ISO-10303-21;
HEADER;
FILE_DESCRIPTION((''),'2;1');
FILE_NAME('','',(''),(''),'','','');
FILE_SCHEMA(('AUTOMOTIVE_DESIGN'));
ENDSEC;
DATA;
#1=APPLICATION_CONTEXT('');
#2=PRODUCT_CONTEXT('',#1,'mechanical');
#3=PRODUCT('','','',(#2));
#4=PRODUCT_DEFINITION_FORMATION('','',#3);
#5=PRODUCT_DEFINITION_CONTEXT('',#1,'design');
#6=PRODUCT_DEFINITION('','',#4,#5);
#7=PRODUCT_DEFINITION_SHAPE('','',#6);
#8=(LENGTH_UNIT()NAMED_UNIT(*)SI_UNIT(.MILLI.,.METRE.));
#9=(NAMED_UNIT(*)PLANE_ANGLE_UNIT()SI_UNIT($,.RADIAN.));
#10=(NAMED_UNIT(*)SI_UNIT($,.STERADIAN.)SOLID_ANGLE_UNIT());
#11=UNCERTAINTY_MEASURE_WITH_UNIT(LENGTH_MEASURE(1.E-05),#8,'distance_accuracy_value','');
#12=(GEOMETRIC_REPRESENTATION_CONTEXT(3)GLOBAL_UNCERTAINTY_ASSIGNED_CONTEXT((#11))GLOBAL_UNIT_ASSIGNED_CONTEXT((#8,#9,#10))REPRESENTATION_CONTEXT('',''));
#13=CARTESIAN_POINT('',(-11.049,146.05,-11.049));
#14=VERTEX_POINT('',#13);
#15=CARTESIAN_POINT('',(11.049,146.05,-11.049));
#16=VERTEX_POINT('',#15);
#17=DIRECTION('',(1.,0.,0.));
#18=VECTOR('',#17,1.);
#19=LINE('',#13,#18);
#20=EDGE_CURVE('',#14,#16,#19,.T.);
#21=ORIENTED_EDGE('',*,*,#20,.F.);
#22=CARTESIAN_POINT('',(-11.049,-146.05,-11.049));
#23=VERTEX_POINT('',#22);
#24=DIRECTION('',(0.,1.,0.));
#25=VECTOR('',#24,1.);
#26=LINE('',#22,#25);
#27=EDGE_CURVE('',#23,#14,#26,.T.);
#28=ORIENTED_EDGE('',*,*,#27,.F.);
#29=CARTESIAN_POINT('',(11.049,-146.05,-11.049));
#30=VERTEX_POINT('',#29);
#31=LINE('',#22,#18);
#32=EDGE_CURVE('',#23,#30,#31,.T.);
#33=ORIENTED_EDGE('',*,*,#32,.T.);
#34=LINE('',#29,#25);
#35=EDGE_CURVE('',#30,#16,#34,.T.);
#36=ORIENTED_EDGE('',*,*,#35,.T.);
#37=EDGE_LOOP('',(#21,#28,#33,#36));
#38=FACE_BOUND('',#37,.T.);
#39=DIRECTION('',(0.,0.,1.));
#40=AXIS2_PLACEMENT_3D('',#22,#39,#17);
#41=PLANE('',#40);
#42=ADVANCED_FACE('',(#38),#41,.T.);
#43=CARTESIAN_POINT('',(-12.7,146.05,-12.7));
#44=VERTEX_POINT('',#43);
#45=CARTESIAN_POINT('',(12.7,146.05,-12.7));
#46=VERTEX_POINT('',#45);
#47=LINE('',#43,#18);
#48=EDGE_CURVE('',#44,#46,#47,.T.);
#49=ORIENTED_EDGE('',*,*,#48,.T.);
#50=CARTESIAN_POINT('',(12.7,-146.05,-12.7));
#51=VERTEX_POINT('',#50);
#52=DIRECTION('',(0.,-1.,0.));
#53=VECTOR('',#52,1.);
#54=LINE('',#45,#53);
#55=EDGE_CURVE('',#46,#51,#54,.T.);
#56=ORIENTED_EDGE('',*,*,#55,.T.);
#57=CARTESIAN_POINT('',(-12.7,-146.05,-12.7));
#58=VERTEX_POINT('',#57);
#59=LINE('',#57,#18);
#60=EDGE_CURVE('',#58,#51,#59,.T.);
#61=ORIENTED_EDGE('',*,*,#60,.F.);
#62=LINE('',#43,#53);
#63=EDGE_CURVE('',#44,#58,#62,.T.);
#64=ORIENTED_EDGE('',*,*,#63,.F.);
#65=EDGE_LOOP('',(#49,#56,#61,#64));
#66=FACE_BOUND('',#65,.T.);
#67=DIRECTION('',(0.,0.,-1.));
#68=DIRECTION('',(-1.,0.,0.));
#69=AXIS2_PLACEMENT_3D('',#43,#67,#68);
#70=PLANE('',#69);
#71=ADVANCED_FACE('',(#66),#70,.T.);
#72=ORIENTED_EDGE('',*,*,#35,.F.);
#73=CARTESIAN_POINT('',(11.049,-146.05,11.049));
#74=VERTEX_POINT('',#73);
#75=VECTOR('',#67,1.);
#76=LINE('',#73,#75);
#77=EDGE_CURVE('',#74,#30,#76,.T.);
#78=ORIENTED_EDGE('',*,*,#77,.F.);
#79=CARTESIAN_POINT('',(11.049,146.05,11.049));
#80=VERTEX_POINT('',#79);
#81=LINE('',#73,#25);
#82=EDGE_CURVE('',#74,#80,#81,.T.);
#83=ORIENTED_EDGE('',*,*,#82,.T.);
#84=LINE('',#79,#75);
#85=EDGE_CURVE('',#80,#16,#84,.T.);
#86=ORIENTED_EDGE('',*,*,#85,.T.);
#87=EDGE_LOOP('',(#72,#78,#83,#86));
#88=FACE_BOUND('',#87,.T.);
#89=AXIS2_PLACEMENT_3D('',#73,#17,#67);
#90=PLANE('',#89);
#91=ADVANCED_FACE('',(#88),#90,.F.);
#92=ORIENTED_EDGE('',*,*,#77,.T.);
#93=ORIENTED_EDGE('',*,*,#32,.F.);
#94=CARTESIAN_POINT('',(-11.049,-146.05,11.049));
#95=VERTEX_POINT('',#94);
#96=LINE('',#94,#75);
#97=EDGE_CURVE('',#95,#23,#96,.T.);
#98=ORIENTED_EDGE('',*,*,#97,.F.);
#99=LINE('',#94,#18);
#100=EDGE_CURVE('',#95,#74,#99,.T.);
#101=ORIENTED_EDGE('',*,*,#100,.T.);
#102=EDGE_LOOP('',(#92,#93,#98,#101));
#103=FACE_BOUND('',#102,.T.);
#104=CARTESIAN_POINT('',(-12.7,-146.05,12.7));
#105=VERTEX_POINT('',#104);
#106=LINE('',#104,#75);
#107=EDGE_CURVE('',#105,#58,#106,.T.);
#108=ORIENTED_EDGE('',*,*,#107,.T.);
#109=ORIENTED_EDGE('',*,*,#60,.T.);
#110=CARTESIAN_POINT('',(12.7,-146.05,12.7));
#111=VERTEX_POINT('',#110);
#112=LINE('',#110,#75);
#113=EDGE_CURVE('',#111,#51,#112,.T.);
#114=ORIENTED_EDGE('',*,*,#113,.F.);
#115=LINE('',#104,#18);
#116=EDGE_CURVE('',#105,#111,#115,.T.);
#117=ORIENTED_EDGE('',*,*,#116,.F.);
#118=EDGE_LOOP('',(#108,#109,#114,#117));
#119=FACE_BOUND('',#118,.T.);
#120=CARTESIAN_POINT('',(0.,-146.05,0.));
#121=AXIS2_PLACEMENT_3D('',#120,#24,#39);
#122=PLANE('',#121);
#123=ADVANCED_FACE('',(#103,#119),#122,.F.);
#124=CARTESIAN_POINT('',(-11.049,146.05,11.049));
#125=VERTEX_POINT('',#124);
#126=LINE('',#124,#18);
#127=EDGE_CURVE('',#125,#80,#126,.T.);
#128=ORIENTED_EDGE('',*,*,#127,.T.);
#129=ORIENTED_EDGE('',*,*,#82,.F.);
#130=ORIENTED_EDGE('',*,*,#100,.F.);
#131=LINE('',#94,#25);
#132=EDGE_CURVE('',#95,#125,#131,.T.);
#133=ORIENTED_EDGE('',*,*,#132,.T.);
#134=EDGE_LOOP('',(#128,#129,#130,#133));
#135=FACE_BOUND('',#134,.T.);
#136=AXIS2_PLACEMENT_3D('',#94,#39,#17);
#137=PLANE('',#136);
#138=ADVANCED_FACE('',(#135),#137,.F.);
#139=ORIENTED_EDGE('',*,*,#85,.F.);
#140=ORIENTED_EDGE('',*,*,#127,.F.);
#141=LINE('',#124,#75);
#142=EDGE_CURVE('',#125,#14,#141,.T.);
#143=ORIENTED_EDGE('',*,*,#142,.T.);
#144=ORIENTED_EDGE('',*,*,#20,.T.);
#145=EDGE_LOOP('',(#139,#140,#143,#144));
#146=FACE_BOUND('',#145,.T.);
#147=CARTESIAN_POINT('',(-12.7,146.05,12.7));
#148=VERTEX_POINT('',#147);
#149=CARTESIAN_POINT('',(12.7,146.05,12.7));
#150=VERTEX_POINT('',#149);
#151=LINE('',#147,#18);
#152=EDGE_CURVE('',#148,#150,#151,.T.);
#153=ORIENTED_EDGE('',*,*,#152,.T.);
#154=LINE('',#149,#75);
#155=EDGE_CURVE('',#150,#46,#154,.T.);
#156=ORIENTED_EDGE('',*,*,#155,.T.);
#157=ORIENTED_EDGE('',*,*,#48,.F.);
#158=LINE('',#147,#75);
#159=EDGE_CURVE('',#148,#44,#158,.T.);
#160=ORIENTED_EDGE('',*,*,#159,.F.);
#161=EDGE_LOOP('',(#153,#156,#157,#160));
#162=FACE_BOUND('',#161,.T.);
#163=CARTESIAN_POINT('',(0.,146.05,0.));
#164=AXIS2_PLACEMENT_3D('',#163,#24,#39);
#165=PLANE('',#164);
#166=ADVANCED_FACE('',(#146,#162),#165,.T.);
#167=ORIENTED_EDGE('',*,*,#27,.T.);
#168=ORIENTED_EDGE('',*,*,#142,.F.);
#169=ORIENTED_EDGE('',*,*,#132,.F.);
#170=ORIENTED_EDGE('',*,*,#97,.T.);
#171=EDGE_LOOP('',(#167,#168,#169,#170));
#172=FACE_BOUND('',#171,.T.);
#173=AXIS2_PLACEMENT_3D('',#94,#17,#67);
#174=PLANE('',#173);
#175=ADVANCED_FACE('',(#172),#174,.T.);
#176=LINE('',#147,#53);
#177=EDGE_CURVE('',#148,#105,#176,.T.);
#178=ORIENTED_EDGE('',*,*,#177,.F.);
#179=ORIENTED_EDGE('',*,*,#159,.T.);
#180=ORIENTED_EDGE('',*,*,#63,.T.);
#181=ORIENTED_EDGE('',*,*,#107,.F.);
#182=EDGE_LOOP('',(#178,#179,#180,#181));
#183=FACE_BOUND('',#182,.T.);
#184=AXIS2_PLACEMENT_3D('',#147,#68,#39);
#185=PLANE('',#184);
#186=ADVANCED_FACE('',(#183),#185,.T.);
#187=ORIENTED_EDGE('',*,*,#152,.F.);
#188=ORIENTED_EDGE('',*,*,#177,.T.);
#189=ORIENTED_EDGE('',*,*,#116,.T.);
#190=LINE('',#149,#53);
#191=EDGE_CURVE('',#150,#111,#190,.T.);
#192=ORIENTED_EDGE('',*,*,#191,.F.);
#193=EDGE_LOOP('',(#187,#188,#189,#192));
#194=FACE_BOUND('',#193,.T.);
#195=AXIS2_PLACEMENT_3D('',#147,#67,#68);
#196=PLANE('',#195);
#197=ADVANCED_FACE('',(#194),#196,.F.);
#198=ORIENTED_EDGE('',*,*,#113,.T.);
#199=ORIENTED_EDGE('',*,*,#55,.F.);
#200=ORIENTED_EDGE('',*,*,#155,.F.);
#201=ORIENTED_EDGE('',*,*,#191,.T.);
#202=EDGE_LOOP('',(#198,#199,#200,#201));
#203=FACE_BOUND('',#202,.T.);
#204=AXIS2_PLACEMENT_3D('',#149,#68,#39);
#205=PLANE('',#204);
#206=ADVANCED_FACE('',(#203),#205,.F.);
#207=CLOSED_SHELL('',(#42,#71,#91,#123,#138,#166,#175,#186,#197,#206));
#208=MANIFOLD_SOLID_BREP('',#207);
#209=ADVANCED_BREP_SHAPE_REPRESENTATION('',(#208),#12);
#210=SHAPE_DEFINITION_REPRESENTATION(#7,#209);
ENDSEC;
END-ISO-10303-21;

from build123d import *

# Parameters (mm, degrees)
SKETCH1_W           = 25.4
SKETCH1_H           = 25.4
BOSS_EXTRUDE1_DEPTH = 146.05
SKETCH2_W           = 22.098
SKETCH2_H           = 22.098
CUT_EXTRUDE1_DEPTH  = 293.651652994


with BuildPart() as part:
    # Sketch1 → Boss-Extrude1 (new, symmetric)
    with BuildSketch(Plane(origin=(0, 0, 0), x_dir=(1, 0, 0), z_dir=(0, 1, 0))):
        Rectangle(SKETCH1_W, SKETCH1_H)
    extrude(amount=BOSS_EXTRUDE1_DEPTH, both=True)

    # Sketch2 → Cut-Extrude1 (cut, through all)
    with BuildSketch(Plane(origin=(0, 146.05, 0), x_dir=(1, 0, 0), z_dir=(0, 1, 0))):
        Rectangle(SKETCH2_W, SKETCH2_H)
    extrude(amount=-CUT_EXTRUDE1_DEPTH, mode=Mode.SUBTRACT)


solid = part.part
